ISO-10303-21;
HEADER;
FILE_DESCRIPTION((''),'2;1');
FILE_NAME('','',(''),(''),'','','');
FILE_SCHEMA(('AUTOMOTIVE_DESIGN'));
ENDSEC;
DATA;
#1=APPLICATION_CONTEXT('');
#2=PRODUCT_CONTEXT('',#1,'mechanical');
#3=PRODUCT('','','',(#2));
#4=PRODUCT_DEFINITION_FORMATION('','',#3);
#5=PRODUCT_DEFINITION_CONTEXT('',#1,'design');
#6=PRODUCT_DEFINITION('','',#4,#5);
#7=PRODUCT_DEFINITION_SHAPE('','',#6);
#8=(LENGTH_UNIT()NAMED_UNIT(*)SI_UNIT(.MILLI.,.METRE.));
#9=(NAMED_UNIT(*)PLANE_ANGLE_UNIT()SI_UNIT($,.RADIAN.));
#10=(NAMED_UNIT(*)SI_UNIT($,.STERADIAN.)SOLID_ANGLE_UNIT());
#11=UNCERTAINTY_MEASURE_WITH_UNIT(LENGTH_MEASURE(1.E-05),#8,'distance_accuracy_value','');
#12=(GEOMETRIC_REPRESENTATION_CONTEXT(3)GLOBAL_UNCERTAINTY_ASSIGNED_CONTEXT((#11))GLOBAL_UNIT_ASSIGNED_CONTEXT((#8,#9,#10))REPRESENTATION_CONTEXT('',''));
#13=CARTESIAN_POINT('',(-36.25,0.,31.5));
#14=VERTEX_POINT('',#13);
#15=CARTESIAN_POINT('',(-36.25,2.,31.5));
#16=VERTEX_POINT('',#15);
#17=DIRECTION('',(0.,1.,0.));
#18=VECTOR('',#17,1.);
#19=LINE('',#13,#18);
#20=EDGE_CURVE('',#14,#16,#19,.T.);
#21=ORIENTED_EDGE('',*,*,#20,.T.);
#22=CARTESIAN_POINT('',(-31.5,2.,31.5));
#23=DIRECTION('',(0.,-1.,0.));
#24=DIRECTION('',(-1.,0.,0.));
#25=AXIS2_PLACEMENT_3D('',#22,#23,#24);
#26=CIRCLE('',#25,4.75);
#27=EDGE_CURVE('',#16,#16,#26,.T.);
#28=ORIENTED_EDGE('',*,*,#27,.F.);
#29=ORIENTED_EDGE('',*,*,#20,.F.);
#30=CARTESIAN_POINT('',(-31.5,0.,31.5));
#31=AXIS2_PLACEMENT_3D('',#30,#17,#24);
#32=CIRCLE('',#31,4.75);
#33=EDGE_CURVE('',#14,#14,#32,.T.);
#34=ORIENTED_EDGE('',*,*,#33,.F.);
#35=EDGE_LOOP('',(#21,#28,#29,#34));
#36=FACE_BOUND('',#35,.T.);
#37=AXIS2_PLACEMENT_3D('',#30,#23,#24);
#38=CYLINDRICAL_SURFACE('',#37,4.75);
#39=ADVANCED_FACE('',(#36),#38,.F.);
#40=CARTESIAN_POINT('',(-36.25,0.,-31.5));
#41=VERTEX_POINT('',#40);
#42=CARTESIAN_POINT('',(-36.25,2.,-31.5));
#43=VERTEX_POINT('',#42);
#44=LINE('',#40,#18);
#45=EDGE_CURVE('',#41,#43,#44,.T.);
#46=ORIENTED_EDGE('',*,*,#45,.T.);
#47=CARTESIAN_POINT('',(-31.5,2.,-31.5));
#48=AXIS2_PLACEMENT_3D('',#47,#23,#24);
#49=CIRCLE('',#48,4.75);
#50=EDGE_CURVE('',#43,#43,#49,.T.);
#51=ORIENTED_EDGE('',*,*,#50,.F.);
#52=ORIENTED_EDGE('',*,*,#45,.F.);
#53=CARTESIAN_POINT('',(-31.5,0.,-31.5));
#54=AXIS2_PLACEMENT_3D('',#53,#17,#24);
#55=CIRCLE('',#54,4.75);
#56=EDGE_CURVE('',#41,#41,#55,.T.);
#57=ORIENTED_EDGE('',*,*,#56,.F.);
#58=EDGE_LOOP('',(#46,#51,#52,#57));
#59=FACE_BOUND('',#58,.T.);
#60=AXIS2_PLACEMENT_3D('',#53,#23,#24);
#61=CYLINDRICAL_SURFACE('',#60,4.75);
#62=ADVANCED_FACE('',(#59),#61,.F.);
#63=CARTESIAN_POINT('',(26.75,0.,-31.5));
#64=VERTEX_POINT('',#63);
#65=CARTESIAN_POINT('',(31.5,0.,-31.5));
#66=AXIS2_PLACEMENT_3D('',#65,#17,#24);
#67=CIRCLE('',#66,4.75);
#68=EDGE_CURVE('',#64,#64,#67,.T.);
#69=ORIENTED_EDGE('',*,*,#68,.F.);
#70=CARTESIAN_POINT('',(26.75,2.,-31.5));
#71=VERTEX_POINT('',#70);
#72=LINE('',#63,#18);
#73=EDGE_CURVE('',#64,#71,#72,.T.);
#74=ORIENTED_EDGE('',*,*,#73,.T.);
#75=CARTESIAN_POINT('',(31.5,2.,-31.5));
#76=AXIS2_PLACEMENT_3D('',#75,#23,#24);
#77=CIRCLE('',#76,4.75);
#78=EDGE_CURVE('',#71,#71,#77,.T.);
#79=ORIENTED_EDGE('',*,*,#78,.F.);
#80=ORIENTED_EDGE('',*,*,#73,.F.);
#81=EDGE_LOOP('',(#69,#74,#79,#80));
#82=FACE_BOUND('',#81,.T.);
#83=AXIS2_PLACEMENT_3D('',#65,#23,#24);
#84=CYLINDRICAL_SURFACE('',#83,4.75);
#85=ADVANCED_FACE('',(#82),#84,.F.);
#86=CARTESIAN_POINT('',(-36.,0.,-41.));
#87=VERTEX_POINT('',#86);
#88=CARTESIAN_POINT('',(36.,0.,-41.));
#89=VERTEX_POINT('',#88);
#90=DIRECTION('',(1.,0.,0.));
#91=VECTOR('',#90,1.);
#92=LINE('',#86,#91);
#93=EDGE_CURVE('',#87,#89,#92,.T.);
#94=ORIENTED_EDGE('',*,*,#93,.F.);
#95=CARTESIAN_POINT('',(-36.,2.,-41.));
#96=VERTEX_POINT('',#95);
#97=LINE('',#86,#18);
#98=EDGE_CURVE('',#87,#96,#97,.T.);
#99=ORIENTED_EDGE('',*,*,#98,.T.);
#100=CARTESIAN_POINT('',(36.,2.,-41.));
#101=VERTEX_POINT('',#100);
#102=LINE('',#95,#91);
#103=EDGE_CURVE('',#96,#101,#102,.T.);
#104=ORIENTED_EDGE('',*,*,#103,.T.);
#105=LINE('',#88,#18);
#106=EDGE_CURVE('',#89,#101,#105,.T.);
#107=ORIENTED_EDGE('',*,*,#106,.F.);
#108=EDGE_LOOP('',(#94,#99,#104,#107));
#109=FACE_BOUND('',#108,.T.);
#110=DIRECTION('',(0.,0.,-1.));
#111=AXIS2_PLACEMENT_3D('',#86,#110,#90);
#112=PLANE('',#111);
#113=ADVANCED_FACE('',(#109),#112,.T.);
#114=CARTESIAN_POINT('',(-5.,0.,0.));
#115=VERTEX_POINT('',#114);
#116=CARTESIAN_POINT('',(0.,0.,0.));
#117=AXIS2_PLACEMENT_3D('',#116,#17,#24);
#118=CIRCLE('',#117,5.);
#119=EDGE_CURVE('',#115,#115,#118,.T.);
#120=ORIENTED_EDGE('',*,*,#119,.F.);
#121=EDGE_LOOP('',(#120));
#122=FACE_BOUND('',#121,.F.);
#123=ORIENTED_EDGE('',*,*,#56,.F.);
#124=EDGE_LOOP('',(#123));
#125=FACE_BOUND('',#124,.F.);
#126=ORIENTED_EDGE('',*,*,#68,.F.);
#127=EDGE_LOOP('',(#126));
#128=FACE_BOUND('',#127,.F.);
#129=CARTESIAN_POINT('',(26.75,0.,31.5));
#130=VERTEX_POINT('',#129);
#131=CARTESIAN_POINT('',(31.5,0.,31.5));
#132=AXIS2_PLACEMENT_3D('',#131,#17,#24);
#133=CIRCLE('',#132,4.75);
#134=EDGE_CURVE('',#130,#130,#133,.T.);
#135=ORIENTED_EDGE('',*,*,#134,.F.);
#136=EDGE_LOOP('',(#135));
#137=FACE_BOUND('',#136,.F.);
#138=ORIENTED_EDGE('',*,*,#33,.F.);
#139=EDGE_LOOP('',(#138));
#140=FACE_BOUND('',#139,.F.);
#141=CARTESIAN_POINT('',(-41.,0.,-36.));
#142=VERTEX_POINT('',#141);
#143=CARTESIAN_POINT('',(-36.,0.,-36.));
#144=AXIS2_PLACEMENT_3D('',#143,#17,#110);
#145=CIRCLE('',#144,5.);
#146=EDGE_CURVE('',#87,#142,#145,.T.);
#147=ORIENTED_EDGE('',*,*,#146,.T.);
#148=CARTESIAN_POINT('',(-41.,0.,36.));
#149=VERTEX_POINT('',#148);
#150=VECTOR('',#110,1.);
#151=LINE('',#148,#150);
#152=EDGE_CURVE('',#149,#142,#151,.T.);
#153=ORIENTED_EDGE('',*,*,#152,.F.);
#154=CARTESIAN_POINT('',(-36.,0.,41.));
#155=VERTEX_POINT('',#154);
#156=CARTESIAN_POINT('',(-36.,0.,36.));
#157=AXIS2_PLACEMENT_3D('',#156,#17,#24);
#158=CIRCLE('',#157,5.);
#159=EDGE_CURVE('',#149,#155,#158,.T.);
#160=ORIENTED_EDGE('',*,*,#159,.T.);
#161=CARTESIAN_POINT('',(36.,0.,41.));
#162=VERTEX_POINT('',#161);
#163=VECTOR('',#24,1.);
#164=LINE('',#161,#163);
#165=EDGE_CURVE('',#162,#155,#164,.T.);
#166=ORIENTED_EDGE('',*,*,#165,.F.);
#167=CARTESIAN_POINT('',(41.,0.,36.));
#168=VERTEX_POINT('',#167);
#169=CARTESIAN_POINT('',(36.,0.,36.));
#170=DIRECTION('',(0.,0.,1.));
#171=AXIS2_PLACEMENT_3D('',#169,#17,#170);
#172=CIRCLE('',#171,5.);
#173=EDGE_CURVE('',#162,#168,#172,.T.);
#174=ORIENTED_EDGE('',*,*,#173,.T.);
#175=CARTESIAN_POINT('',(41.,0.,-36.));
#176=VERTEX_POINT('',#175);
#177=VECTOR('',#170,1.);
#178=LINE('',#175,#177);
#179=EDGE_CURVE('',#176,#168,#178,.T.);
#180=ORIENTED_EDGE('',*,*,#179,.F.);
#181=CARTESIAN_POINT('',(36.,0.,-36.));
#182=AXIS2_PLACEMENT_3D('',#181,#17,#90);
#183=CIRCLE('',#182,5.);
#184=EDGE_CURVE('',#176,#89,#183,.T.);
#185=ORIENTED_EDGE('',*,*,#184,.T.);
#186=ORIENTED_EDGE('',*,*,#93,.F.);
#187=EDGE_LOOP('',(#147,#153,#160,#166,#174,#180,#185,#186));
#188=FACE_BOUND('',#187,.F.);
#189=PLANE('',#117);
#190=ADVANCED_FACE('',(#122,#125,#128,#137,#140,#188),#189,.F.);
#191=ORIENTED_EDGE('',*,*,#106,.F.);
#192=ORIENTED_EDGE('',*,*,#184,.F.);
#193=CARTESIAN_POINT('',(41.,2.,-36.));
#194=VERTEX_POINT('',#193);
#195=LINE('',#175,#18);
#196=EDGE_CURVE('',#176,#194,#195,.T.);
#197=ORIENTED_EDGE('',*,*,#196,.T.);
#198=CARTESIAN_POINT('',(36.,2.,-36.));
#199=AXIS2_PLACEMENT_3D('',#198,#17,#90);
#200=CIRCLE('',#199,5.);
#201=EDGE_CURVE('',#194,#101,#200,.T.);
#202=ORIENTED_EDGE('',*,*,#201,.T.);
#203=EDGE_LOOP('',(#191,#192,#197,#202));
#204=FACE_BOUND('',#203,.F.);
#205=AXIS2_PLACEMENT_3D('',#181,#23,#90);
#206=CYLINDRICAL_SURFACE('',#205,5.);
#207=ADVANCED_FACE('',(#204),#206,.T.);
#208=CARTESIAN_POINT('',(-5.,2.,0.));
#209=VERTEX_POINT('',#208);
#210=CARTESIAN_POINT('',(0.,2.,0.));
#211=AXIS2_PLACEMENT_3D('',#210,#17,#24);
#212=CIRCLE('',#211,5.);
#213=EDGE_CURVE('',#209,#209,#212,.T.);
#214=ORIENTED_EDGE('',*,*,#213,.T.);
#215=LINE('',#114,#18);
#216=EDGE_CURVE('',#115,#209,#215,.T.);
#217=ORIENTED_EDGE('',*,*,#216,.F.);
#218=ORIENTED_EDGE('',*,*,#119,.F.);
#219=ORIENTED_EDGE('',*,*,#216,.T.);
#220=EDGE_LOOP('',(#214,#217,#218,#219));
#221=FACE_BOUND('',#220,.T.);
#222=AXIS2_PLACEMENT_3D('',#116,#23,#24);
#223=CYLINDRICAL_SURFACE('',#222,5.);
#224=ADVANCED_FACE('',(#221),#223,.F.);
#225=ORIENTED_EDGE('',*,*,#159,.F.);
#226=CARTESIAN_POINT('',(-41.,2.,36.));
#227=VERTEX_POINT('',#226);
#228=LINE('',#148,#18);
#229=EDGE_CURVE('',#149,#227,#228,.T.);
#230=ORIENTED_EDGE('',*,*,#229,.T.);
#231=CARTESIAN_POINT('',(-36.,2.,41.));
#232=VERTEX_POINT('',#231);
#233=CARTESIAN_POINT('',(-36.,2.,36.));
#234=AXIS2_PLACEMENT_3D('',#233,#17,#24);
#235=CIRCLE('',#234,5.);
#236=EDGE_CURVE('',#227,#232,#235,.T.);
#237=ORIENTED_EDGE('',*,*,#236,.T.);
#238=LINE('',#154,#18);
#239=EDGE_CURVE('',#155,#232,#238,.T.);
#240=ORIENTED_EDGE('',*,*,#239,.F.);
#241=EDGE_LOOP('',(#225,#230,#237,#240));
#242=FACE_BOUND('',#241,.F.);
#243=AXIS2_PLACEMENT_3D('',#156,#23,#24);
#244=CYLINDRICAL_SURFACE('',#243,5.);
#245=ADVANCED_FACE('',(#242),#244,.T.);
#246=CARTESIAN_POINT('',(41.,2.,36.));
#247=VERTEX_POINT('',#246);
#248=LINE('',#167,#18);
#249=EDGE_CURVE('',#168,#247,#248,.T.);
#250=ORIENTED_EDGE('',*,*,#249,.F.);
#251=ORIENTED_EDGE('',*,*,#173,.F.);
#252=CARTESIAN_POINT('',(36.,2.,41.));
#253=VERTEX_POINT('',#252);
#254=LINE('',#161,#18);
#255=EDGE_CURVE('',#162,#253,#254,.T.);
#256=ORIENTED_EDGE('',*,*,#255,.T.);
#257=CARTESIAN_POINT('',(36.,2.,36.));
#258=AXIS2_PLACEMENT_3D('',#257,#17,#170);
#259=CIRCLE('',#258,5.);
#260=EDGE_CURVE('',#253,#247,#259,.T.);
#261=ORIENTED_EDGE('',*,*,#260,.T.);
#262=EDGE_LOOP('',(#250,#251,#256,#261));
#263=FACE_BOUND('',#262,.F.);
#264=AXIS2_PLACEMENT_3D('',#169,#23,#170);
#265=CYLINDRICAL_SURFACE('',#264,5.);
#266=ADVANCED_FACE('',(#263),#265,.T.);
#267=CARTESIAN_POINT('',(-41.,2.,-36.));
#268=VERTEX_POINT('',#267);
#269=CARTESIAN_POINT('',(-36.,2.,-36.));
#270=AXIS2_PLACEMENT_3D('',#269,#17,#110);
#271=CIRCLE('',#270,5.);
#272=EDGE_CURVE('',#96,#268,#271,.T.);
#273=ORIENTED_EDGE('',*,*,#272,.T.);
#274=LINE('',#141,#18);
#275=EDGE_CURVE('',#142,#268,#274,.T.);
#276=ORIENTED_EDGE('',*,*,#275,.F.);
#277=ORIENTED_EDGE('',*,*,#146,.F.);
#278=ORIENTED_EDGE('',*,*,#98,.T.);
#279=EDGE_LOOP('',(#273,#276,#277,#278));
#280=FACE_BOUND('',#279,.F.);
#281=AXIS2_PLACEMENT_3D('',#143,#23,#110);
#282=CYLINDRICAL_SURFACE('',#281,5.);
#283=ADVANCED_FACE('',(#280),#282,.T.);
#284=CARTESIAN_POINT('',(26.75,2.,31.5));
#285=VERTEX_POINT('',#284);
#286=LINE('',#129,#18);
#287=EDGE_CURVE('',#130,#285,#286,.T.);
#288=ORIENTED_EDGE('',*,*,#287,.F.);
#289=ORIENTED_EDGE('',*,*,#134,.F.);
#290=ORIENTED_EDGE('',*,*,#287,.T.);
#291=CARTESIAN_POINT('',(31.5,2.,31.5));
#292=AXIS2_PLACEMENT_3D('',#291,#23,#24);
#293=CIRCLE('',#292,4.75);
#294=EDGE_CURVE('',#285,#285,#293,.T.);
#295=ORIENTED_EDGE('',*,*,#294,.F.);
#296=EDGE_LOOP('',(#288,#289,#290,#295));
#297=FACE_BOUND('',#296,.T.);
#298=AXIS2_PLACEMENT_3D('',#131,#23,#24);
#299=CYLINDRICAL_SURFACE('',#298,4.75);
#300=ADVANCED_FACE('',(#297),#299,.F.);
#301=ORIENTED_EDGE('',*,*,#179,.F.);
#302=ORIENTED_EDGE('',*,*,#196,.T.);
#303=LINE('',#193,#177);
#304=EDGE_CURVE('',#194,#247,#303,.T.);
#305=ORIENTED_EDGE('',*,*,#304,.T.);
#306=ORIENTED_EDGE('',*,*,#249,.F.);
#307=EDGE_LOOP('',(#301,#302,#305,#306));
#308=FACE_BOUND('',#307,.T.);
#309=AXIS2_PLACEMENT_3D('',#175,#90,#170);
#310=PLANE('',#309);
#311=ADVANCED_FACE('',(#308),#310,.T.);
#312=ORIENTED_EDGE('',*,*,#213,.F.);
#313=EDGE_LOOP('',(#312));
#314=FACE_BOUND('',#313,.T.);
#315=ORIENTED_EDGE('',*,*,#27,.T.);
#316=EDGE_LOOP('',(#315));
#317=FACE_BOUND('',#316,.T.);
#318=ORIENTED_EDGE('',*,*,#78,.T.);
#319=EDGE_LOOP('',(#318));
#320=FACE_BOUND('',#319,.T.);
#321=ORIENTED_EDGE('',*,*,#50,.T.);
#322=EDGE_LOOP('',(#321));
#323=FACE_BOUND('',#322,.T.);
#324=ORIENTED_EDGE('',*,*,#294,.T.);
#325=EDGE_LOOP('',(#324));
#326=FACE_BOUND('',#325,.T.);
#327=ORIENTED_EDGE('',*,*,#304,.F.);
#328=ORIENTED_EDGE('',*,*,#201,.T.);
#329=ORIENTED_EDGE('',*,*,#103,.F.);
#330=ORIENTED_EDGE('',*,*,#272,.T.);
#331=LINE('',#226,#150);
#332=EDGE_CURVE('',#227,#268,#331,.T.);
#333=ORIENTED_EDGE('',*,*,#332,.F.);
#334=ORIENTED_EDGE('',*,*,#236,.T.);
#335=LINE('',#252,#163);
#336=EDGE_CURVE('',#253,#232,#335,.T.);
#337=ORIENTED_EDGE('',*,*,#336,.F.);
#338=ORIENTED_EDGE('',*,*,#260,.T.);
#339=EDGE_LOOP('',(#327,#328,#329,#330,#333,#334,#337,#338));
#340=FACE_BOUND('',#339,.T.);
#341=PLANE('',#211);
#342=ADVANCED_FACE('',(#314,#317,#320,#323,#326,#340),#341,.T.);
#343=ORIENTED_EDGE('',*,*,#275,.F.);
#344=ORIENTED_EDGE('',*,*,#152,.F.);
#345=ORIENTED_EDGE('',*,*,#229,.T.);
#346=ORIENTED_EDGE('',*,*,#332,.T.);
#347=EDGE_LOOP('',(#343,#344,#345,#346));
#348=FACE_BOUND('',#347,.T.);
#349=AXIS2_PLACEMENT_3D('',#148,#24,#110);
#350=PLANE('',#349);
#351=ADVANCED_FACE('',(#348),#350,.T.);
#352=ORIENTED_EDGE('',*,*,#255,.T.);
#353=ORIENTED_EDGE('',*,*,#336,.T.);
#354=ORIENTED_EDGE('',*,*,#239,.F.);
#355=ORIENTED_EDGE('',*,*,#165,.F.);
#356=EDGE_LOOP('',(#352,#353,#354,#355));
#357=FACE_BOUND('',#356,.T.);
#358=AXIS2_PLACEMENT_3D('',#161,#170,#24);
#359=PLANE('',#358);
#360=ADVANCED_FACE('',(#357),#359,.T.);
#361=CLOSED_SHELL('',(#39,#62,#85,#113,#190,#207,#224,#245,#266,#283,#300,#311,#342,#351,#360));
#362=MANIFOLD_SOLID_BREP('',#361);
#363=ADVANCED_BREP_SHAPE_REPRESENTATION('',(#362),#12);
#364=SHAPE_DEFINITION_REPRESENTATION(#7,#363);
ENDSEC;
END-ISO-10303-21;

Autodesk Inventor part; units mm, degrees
ref_plane "YZ Plane" through (0, 0, 0) normal (1, 0, 0) x (0, 1, 0)
ref_plane "XZ Plane" through (0, 0, 0) normal (0, 1, 0) x (-1, 0, 0)
ref_plane "XY Plane" through (0, 0, 0) normal (0, 0, 1) x (1, 0, 0)
sketch "스케치1" plane through (0, 0, 0) normal (0, 1, 0) x (-1, 0, 0)
  line L0 (-36, 41) -> (36, 41)
  line L1 (41, 36) -> (41, -36)
  line L2 (36, -41) -> (-36, -41)
  line L3 (-41, -36) -> (-41, 36)
  line L4 (-41, 41) -> (41, -41) construction
  line L5 (41, 41) -> (-41, -41) construction
  arc A0 (41, 36) -> (36, 41) centre (36, 36) ccw
  arc A1 (-36, 41) -> (-41, 36) centre (-36, 36) ccw
  arc A2 (-41, -36) -> (-36, -41) centre (-36, -36) ccw
  arc A3 (36, -41) -> (41, -36) centre (36, -36) ccw
  line L6 (-26.75, 31.5) -> (26.75, 31.5)
  line L7 (31.5, 26.75) -> (31.5, -26.75)
  line L8 (26.75, -31.5) -> (-26.75, -31.5)
  line L9 (-31.5, -26.75) -> (-31.5, 26.75)
  line L10 (-31.5, 31.5) -> (31.5, -31.5) construction
  line L11 (31.5, 31.5) -> (-31.5, -31.5) construction
  circle A4 centre (31.5, -31.5) radius 4.75
  circle A5 centre (31.5, 31.5) radius 4.75
  circle A6 centre (-31.5, 31.5) radius 4.75
  circle A7 centre (-31.5, -31.5) radius 4.75
  circle A8 centre (0, 0) radius 5
  dimension "d0" = 82
  dimension "d1" = 82
  dimension "d2" = 5
  dimension "d3" = 63
  dimension "d4" = 63
  dimension "d5" = 9.5
  dimension "d6" = 9.5
  dimension "d7" = 9.5
  dimension "d8" = 9.5
  dimension "d9" = 10
extrude "돌출1" add sketch "스케치1" along normal blind 2 contours L0 A0 L1 A3 L2 A2 L3 A1 | L6 A5 L7 A4 L8 A7 L9 A6
properties part number "Part_Metal" material "스테인레스 스틸"
